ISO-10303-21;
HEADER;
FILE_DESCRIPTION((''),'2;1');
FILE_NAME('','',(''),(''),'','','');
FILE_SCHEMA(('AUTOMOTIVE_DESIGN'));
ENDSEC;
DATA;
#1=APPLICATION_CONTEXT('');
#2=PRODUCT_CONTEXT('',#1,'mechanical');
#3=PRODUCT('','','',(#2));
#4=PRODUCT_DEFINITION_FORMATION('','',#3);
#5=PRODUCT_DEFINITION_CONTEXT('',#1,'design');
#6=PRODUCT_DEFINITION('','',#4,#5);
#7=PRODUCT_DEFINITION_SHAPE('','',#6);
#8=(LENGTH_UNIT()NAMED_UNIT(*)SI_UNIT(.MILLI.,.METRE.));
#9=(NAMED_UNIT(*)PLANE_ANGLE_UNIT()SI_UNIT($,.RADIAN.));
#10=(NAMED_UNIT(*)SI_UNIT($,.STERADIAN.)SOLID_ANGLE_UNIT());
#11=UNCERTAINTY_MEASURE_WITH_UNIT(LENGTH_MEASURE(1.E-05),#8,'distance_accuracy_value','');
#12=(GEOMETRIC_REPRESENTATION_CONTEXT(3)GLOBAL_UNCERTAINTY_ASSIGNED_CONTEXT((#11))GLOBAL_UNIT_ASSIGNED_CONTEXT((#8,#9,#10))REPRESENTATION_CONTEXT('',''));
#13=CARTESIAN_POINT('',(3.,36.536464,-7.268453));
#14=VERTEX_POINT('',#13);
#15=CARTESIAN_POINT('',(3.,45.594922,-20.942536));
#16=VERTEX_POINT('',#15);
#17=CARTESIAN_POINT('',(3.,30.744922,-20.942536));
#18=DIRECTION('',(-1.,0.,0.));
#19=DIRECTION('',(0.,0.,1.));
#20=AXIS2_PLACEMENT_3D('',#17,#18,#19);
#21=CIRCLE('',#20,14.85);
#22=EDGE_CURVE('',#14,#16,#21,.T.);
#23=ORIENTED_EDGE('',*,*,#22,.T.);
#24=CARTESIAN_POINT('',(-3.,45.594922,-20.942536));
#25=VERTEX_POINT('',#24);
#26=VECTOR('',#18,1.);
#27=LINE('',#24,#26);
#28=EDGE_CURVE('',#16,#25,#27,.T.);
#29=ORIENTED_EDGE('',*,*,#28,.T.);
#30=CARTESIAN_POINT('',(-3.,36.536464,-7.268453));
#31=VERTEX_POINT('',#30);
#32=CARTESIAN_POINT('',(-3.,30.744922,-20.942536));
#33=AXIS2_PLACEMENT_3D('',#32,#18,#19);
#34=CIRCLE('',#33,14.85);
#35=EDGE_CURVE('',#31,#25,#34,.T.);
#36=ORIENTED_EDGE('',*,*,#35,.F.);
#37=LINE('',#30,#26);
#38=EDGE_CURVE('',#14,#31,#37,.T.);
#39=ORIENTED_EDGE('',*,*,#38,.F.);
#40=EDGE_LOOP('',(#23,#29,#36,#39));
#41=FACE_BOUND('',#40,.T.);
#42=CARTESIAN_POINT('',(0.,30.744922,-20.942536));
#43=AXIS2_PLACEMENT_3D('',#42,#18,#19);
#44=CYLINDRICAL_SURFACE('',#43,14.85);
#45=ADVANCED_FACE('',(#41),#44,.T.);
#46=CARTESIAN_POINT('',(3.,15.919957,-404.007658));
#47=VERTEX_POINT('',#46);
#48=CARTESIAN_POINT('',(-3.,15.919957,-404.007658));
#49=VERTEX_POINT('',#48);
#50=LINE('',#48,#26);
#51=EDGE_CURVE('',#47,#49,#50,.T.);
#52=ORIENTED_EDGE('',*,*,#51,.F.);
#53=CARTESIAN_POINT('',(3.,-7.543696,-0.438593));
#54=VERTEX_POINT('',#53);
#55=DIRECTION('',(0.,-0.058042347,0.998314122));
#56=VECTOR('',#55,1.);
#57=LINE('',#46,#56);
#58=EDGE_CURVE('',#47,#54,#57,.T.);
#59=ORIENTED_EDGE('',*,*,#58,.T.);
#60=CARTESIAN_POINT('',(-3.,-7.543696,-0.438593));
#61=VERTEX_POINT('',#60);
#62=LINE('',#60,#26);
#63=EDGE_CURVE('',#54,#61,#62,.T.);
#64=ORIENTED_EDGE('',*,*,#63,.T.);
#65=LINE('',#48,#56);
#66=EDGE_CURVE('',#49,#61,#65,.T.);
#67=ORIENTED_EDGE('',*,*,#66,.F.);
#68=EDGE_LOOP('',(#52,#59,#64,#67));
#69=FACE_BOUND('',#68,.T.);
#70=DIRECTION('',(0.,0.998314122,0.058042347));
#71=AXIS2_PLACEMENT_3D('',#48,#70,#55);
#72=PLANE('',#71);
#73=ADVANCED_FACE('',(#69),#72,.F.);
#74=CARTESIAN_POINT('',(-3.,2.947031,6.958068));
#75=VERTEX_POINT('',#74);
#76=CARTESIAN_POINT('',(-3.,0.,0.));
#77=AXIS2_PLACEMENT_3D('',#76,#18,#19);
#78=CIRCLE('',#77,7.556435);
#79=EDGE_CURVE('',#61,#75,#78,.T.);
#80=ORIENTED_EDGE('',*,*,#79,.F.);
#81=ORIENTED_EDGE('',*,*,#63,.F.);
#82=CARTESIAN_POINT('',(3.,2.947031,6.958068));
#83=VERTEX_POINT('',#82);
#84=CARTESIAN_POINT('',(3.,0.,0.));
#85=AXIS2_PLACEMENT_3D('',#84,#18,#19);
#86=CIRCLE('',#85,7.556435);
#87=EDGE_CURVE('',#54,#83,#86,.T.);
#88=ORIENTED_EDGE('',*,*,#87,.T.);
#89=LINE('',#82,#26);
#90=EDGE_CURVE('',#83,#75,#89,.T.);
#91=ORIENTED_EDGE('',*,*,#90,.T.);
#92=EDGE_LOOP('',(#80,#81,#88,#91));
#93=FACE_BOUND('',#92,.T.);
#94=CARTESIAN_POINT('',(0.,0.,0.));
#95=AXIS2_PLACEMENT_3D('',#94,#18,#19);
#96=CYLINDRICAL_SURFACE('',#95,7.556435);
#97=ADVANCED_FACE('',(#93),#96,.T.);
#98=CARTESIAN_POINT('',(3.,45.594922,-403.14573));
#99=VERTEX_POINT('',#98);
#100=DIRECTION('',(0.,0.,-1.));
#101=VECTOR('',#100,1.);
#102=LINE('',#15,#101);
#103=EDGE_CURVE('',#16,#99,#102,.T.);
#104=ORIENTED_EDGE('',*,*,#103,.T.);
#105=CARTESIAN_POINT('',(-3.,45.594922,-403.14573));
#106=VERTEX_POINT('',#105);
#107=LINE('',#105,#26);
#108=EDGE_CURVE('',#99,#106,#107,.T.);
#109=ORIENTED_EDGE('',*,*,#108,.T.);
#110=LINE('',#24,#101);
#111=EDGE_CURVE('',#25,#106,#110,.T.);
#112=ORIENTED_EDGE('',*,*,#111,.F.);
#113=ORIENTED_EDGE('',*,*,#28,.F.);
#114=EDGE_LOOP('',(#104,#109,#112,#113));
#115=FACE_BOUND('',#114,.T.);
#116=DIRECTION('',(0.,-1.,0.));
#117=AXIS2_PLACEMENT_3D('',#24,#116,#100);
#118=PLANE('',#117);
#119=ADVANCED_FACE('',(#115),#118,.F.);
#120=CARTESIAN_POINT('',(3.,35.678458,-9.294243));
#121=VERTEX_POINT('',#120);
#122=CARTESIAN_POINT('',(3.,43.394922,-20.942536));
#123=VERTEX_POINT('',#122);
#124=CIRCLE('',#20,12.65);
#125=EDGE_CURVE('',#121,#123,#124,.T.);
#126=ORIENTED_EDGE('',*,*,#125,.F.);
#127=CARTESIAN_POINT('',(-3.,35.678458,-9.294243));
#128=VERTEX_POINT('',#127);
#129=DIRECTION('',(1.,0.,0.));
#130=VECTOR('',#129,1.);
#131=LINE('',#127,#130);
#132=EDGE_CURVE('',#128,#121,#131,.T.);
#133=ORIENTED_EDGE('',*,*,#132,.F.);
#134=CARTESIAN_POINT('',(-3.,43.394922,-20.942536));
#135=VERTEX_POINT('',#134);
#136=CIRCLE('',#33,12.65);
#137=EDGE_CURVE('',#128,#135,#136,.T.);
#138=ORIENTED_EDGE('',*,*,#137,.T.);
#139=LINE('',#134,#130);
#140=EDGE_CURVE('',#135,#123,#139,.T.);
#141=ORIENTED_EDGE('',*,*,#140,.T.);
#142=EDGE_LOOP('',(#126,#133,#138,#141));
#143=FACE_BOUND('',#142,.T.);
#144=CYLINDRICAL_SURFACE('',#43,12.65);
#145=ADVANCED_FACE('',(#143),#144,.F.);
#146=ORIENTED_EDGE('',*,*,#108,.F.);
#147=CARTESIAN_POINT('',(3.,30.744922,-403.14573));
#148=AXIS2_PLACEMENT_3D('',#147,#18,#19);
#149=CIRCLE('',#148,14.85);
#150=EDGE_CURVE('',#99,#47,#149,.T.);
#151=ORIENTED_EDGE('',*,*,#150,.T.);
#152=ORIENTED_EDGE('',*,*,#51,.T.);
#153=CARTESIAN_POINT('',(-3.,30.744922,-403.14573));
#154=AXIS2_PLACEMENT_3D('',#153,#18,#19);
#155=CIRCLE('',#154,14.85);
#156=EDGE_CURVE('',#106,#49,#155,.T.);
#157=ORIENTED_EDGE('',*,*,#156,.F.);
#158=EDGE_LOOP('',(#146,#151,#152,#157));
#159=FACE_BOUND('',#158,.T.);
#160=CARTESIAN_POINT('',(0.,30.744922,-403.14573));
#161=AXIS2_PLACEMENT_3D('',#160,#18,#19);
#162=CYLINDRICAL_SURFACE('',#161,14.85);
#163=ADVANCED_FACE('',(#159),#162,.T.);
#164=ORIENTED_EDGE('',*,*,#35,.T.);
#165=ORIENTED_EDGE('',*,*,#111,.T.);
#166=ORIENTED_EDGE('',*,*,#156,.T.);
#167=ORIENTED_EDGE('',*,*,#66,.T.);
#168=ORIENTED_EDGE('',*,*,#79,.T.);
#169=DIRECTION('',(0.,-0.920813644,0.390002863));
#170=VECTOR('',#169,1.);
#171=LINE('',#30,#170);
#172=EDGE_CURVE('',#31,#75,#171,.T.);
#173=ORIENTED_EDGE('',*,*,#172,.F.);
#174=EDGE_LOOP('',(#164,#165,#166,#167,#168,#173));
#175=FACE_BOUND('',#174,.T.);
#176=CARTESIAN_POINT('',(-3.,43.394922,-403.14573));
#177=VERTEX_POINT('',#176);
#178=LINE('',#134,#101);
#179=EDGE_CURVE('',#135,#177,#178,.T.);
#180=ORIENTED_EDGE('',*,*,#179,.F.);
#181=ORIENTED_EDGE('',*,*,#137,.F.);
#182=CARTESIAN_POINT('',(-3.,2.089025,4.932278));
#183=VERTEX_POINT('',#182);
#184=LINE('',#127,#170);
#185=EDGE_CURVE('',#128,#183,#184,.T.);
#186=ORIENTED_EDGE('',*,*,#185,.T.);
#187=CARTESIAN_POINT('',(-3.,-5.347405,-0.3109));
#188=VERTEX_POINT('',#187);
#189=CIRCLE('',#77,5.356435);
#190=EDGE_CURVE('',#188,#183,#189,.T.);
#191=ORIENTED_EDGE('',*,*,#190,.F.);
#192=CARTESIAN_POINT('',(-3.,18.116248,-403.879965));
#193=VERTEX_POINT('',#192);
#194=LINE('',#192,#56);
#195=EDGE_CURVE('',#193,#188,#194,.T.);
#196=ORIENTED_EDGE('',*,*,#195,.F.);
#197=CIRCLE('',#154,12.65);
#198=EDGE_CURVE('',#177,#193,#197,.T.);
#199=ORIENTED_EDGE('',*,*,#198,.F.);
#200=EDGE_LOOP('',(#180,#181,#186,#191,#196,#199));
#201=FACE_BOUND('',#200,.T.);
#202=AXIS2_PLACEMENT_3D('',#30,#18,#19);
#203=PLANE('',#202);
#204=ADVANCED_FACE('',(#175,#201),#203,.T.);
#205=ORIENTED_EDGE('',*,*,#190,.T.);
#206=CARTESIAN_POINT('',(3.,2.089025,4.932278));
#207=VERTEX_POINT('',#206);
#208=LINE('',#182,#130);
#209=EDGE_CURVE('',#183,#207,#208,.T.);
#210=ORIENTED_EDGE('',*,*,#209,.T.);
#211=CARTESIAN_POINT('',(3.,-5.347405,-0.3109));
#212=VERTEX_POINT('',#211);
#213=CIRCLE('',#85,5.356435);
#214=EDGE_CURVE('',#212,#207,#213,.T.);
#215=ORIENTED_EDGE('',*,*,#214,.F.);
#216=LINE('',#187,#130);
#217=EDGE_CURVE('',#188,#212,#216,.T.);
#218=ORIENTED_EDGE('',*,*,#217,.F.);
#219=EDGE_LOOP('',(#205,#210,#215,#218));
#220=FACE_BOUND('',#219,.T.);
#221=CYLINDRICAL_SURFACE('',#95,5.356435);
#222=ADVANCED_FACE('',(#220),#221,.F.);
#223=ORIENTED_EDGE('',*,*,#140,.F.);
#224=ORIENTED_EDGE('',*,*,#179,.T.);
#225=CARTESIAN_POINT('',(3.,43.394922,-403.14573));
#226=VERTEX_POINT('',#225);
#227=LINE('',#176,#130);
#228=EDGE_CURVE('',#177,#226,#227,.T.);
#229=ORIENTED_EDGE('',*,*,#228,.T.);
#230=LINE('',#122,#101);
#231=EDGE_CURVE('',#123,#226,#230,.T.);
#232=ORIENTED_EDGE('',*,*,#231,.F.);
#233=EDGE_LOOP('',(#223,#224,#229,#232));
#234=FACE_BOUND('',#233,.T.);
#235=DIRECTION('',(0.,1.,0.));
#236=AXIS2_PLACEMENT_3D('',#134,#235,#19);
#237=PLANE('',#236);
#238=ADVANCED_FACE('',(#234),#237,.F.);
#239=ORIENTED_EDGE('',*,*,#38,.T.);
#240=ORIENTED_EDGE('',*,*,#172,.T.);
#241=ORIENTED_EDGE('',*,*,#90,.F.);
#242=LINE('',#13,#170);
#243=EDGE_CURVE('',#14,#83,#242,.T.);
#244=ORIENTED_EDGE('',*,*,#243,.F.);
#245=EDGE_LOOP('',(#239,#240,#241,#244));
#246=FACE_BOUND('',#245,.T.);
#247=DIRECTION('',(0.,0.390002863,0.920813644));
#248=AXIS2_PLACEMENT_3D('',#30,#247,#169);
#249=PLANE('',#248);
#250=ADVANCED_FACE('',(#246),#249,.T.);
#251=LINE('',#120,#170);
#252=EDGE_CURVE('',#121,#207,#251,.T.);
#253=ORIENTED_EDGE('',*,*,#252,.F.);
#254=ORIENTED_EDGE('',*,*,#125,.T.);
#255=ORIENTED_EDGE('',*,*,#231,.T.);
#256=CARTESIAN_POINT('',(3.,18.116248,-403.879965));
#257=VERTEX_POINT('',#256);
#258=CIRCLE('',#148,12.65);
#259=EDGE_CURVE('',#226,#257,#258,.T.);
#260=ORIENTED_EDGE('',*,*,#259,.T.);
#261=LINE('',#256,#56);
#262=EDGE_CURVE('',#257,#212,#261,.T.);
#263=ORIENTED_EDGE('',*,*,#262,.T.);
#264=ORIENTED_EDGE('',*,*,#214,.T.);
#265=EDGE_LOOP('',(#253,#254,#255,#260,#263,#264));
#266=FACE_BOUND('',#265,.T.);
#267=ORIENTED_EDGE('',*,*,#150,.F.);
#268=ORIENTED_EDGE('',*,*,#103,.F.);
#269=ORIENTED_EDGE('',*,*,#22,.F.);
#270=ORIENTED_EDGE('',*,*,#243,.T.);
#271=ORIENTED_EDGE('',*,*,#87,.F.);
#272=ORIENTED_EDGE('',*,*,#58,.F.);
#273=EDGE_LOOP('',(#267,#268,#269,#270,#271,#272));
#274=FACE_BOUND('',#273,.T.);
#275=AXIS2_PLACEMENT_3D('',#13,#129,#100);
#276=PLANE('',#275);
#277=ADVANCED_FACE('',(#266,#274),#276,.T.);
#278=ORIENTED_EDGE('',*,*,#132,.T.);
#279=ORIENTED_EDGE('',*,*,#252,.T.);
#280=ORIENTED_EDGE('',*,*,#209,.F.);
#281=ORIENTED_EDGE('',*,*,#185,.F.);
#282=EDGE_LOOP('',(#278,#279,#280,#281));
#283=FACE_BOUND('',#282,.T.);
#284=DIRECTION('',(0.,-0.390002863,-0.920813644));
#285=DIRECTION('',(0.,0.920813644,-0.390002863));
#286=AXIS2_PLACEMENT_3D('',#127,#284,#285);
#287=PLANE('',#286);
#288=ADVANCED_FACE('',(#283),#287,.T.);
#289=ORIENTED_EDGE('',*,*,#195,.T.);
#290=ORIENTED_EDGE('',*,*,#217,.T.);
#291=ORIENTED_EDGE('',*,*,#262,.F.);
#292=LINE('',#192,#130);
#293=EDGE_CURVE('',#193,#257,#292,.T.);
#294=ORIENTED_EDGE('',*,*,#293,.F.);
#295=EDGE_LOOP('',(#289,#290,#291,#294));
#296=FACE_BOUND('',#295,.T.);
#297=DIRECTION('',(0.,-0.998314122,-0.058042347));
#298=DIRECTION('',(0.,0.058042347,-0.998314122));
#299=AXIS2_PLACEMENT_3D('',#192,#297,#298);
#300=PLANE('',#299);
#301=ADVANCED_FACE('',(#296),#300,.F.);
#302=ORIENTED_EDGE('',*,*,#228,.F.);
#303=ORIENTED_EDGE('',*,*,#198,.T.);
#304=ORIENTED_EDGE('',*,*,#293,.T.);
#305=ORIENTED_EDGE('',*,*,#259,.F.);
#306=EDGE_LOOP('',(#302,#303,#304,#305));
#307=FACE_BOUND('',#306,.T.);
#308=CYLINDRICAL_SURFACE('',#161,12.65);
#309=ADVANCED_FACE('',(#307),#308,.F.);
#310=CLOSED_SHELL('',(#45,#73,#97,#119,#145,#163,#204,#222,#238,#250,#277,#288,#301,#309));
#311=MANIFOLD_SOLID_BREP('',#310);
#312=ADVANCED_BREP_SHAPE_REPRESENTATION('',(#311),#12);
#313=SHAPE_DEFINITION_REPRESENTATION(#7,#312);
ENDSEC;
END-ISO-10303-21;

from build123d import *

# Parameters (mm, degrees)
SKETCH3_W = 6
SKETCH3_H = 2.2


with BuildPart() as part:
    # Sweep1: sweep along a path in Sketch1
    with BuildLine(Plane(origin=(0, 0, 0), x_dir=(0, 0, -1), z_dir=(1, 0, 0))) as sweep1_path:
        Line((0.31090006, -5.3474047), (403.879965212, 18.116247973))
        ThreePointArc((403.879965212, 18.116247973), (415.790396806, 31.112194288), (403.14572952, 43.394921614))
        Line((403.14572952, 43.394921614), (20.942535542, 43.394921614))
        ThreePointArc((20.942535542, 43.394921614), (13.956361094, 41.290814966), (9.294242947, 35.678457834))
        Line((9.294242947, 35.678457834), (-4.932278427, 2.089024985))
        ThreePointArc((-4.932278427, 2.089024985), (-4.377716999, -3.086582212), (0.31090006, -5.3474047))
    # Sketch3 → Sweep1 (sweep)
    with BuildSketch(Plane(origin=(0, 2.089024985, 4.932278427), x_dir=(1, 0, 0), z_dir=(0, -0.920813644, 0.390002863))):
        with Locations((0, 1.1)):
            Rectangle(SKETCH3_W, SKETCH3_H)
    sweep(path=sweep1_path.line)


solid = part.part
